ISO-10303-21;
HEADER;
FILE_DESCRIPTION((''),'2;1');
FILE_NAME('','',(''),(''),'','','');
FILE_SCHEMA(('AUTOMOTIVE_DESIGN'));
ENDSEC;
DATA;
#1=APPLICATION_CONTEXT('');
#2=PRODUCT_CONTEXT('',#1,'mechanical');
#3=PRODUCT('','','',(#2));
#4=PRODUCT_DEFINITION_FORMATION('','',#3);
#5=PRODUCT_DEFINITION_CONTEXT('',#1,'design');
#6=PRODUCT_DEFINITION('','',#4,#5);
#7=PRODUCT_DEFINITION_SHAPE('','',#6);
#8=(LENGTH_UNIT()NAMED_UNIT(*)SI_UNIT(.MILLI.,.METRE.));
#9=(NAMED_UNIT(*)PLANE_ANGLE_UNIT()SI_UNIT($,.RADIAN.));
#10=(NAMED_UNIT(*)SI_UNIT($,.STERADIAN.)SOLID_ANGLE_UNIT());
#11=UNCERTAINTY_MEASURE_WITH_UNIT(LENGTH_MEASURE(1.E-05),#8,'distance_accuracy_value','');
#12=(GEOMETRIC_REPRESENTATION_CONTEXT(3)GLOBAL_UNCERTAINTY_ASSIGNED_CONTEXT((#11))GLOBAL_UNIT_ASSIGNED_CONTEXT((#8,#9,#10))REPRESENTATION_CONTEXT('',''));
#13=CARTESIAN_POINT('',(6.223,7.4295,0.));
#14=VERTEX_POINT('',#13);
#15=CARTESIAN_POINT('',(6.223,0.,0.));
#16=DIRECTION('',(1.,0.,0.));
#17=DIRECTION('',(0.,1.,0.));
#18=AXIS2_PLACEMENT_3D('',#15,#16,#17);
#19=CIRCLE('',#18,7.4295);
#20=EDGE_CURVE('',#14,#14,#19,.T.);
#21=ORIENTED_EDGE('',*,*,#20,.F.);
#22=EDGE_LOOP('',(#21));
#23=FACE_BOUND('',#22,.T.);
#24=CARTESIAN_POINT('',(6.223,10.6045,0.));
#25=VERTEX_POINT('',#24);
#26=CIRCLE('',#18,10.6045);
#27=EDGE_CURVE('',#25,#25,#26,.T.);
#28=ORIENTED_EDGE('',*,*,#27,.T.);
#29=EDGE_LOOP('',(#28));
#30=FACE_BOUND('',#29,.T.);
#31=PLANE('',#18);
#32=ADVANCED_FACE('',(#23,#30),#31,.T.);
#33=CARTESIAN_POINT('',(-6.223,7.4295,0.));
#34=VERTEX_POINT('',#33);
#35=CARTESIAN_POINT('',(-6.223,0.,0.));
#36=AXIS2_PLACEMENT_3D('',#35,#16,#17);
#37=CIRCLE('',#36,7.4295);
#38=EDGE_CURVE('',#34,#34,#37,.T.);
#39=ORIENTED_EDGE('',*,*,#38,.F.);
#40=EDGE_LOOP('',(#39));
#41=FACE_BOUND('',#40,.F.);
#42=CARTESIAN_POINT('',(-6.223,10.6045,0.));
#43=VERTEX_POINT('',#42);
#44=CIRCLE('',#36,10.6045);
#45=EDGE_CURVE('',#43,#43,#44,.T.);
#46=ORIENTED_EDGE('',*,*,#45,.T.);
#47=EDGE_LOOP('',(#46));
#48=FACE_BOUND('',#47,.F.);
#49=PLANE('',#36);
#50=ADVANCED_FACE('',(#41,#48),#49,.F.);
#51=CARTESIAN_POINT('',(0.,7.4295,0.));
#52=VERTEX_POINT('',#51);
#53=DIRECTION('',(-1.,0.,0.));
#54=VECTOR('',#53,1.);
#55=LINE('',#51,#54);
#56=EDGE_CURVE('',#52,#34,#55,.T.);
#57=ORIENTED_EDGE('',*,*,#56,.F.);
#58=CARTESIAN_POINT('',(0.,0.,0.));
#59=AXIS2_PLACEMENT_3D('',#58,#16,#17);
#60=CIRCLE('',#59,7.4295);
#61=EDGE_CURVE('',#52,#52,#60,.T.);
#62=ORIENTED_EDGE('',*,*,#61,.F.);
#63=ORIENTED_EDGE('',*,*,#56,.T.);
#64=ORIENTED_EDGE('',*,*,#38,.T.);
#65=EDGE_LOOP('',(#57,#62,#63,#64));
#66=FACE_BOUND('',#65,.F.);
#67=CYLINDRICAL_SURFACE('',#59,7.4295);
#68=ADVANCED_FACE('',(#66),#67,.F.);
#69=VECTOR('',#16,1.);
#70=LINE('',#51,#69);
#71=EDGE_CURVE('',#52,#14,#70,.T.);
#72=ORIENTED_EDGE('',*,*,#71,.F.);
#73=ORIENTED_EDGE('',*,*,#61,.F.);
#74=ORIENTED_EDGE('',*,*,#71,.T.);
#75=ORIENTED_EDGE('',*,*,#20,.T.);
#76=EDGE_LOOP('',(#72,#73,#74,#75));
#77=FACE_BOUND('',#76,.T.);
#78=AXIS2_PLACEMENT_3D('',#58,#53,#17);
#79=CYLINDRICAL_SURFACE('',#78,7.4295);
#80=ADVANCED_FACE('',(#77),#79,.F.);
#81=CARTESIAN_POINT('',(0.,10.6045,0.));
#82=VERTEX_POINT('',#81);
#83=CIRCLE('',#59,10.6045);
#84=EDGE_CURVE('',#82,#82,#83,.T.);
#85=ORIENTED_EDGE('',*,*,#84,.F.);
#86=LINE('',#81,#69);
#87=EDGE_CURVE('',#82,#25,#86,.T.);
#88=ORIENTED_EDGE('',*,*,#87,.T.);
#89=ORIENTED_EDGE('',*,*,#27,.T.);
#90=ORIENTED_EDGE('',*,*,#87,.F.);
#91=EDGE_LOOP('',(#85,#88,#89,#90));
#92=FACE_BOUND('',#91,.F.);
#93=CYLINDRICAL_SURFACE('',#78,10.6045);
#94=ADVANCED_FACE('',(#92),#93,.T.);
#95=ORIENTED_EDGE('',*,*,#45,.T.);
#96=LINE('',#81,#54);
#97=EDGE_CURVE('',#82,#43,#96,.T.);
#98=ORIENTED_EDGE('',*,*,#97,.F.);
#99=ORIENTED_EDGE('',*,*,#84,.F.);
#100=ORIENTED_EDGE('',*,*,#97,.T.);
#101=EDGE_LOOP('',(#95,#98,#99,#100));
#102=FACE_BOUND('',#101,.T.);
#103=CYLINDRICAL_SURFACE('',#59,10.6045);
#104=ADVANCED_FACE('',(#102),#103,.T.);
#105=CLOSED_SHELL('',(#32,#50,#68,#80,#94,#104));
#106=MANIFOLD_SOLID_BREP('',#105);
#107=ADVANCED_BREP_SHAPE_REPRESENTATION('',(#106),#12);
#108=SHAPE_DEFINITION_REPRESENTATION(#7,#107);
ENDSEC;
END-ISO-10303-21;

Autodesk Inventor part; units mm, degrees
ref_plane "YZ Plane" through (0, 0, 0) normal (1, 0, 0) x (0, 1, 0)
ref_plane "XZ Plane" through (0, 0, 0) normal (0, 1, 0) x (-1, 0, 0)
ref_plane "XY Plane" through (0, 0, 0) normal (0, 0, 1) x (1, 0, 0)
sketch "Sketch1" plane through (0, 0, 0) normal (1, 0, 0) x (0, 1, 0)
  circle A0 centre (0, 0) radius 7.4295
  circle A1 centre (0, 0) radius 10.6045
  dimension "d0" = 14.859
  dimension "d1" = 3.175
extrude "Extrusion1" add sketch "Sketch1" along normal mid plane 12.446
properties part number "EL2-CGB-013" material "ABS Plastic"
